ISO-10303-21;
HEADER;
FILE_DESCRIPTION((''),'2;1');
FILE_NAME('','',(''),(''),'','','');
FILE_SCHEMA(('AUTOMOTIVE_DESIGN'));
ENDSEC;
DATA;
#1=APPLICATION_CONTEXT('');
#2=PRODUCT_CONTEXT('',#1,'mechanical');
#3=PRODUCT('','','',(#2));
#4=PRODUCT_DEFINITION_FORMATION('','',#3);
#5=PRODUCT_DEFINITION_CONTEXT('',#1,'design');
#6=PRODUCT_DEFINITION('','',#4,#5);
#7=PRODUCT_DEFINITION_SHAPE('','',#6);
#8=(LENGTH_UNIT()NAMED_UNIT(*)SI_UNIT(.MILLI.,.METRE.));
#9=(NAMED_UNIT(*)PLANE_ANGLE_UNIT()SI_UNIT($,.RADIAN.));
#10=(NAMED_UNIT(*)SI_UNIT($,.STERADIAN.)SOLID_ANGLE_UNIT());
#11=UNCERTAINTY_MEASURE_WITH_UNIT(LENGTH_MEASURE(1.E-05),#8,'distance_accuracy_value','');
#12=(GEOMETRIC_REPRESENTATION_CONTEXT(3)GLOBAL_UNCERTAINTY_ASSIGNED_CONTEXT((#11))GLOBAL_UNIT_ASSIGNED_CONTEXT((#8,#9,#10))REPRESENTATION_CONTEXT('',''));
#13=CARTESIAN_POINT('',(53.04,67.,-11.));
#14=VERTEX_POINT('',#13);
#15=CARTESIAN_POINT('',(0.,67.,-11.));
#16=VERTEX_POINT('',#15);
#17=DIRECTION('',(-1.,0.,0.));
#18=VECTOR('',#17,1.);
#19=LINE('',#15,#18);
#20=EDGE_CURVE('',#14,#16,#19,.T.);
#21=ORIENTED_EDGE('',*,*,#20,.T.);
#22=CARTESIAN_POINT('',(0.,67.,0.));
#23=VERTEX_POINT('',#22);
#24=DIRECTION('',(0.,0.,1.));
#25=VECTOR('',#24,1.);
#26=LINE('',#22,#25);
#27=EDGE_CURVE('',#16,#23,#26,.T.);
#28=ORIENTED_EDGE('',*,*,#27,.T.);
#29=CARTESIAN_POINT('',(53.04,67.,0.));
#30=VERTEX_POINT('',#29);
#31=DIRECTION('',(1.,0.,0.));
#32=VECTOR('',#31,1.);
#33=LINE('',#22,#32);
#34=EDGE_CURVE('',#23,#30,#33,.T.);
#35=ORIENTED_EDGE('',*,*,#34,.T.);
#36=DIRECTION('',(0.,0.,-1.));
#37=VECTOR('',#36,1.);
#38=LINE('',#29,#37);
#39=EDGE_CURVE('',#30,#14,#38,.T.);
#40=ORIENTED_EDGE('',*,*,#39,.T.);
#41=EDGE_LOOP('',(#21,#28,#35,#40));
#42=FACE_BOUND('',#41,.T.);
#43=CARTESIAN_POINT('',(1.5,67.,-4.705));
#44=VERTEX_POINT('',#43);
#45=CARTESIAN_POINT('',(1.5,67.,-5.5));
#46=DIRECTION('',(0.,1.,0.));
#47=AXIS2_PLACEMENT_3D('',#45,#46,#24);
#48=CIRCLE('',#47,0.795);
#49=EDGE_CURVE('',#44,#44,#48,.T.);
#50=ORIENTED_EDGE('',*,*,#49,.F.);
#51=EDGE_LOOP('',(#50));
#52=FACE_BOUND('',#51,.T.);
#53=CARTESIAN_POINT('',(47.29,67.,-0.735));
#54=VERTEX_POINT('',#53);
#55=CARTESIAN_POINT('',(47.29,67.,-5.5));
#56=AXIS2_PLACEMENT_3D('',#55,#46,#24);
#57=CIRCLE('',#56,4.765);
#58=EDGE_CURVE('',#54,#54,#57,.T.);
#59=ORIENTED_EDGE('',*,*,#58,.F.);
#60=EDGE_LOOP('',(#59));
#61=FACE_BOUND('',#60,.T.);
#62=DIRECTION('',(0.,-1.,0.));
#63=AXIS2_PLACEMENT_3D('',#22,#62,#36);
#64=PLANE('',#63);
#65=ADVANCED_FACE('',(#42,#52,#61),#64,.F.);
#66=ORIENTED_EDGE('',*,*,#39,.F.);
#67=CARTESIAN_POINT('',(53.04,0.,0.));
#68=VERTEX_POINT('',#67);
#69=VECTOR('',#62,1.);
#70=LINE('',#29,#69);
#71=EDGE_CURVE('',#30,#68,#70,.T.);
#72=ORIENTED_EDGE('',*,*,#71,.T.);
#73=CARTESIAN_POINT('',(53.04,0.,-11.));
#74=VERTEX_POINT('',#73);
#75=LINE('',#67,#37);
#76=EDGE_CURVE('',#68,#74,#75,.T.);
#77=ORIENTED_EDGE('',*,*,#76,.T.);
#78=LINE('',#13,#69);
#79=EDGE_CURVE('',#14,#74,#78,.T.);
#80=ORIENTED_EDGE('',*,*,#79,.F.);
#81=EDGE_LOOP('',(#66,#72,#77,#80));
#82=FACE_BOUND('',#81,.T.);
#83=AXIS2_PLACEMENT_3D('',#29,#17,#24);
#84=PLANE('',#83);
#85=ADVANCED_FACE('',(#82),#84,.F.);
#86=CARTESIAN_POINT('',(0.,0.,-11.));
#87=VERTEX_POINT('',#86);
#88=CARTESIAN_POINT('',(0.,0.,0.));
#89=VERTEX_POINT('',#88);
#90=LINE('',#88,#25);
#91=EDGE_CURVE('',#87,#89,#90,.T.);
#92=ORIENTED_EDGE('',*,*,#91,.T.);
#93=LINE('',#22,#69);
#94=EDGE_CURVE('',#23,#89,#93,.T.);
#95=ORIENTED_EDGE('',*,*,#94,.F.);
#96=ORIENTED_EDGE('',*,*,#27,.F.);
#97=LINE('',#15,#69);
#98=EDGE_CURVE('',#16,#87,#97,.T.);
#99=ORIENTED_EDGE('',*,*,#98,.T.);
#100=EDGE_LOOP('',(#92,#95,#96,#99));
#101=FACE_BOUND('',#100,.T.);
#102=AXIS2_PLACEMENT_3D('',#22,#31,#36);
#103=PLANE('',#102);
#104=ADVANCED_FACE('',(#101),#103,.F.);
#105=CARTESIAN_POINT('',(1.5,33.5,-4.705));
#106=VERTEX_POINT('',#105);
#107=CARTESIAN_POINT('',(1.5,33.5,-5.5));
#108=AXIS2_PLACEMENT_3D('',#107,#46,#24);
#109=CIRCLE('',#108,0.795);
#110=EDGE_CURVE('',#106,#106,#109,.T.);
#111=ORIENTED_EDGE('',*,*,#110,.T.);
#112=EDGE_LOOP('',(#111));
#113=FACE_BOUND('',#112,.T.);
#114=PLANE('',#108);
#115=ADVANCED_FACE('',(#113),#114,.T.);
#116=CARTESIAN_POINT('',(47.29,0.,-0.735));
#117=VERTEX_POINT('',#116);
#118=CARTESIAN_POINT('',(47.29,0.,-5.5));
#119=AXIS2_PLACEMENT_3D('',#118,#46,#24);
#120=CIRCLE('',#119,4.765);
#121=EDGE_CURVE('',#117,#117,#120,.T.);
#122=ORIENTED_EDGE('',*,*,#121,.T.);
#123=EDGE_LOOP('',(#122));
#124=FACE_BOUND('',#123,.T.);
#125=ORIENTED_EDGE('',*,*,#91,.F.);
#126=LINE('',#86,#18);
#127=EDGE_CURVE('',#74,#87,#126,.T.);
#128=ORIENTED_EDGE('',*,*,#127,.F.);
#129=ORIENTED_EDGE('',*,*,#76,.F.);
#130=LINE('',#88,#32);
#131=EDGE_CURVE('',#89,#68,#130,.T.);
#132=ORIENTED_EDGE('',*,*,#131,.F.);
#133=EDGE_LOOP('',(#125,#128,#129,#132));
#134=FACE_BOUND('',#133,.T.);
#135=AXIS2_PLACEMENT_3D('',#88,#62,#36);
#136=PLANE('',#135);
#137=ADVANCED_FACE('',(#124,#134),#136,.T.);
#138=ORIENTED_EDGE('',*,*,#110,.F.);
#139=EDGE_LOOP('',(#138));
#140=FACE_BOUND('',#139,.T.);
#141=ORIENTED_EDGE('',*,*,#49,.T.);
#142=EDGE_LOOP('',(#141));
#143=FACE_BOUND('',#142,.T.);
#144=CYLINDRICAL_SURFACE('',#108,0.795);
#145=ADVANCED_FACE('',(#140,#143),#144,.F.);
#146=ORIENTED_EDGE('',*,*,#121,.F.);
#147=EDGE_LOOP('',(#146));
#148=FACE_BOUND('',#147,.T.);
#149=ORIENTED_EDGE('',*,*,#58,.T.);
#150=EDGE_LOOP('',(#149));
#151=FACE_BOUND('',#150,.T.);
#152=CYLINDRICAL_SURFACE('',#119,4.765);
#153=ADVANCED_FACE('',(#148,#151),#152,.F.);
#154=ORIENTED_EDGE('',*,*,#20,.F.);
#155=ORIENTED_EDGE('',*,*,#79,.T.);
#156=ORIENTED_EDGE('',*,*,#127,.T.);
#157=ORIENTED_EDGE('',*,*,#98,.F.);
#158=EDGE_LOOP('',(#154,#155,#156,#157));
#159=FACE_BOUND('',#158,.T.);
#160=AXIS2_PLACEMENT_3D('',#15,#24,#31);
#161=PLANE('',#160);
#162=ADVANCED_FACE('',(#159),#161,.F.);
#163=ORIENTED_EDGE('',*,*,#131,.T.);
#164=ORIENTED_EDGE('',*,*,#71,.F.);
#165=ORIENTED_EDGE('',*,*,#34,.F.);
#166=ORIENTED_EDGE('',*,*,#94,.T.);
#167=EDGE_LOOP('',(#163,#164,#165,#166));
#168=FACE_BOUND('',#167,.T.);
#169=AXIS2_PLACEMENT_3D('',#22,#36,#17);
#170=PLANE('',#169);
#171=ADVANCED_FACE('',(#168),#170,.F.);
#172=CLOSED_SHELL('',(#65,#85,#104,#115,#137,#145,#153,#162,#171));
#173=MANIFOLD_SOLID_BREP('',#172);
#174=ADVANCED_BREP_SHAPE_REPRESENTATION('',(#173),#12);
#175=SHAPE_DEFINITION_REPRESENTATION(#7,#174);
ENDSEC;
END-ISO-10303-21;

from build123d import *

# Parameters (mm, degrees)
SKETCH2_W           = 53.04
SKETCH2_H           = 11
BOSS_EXTRUDE1_DEPTH = 67
SKETCH3_R           = 4.765
CUT_EXTRUDE1_DEPTH  = 87.158235822
SKETCH4_R           = 0.795
CUT_EXTRUDE2_DEPTH  = 33.5


with BuildPart() as part:
    # Sketch2 → Boss-Extrude1 (new body)
    with BuildSketch(Plane(origin=(0, 0, 0), x_dir=(1, 0, 0), z_dir=(0, 1, 0))):
        with Locations((26.52, 5.5)):
            Rectangle(SKETCH2_W, SKETCH2_H)
    extrude(amount=BOSS_EXTRUDE1_DEPTH)

    # Sketch3 → Cut-Extrude1 (cut, through all)
    with BuildSketch(Plane(origin=(0, 67, 0), x_dir=(1, 0, 0), z_dir=(0, 1, 0))):
        with Locations(Location((47.29, 5.5, 0), (0, 0, 270))):
            Circle(SKETCH3_R)
    extrude(amount=-CUT_EXTRUDE1_DEPTH, mode=Mode.SUBTRACT)

    # Sketch4 → Cut-Extrude2 (cut)
    with BuildSketch(Plane(origin=(0, 67, 0), x_dir=(1, 0, 0), z_dir=(0, 1, 0))):
        with Locations(Location((1.5, 5.5, 0), (0, 0, 270))):
            Circle(SKETCH4_R)
    extrude(amount=-CUT_EXTRUDE2_DEPTH, mode=Mode.SUBTRACT)


solid = part.part
